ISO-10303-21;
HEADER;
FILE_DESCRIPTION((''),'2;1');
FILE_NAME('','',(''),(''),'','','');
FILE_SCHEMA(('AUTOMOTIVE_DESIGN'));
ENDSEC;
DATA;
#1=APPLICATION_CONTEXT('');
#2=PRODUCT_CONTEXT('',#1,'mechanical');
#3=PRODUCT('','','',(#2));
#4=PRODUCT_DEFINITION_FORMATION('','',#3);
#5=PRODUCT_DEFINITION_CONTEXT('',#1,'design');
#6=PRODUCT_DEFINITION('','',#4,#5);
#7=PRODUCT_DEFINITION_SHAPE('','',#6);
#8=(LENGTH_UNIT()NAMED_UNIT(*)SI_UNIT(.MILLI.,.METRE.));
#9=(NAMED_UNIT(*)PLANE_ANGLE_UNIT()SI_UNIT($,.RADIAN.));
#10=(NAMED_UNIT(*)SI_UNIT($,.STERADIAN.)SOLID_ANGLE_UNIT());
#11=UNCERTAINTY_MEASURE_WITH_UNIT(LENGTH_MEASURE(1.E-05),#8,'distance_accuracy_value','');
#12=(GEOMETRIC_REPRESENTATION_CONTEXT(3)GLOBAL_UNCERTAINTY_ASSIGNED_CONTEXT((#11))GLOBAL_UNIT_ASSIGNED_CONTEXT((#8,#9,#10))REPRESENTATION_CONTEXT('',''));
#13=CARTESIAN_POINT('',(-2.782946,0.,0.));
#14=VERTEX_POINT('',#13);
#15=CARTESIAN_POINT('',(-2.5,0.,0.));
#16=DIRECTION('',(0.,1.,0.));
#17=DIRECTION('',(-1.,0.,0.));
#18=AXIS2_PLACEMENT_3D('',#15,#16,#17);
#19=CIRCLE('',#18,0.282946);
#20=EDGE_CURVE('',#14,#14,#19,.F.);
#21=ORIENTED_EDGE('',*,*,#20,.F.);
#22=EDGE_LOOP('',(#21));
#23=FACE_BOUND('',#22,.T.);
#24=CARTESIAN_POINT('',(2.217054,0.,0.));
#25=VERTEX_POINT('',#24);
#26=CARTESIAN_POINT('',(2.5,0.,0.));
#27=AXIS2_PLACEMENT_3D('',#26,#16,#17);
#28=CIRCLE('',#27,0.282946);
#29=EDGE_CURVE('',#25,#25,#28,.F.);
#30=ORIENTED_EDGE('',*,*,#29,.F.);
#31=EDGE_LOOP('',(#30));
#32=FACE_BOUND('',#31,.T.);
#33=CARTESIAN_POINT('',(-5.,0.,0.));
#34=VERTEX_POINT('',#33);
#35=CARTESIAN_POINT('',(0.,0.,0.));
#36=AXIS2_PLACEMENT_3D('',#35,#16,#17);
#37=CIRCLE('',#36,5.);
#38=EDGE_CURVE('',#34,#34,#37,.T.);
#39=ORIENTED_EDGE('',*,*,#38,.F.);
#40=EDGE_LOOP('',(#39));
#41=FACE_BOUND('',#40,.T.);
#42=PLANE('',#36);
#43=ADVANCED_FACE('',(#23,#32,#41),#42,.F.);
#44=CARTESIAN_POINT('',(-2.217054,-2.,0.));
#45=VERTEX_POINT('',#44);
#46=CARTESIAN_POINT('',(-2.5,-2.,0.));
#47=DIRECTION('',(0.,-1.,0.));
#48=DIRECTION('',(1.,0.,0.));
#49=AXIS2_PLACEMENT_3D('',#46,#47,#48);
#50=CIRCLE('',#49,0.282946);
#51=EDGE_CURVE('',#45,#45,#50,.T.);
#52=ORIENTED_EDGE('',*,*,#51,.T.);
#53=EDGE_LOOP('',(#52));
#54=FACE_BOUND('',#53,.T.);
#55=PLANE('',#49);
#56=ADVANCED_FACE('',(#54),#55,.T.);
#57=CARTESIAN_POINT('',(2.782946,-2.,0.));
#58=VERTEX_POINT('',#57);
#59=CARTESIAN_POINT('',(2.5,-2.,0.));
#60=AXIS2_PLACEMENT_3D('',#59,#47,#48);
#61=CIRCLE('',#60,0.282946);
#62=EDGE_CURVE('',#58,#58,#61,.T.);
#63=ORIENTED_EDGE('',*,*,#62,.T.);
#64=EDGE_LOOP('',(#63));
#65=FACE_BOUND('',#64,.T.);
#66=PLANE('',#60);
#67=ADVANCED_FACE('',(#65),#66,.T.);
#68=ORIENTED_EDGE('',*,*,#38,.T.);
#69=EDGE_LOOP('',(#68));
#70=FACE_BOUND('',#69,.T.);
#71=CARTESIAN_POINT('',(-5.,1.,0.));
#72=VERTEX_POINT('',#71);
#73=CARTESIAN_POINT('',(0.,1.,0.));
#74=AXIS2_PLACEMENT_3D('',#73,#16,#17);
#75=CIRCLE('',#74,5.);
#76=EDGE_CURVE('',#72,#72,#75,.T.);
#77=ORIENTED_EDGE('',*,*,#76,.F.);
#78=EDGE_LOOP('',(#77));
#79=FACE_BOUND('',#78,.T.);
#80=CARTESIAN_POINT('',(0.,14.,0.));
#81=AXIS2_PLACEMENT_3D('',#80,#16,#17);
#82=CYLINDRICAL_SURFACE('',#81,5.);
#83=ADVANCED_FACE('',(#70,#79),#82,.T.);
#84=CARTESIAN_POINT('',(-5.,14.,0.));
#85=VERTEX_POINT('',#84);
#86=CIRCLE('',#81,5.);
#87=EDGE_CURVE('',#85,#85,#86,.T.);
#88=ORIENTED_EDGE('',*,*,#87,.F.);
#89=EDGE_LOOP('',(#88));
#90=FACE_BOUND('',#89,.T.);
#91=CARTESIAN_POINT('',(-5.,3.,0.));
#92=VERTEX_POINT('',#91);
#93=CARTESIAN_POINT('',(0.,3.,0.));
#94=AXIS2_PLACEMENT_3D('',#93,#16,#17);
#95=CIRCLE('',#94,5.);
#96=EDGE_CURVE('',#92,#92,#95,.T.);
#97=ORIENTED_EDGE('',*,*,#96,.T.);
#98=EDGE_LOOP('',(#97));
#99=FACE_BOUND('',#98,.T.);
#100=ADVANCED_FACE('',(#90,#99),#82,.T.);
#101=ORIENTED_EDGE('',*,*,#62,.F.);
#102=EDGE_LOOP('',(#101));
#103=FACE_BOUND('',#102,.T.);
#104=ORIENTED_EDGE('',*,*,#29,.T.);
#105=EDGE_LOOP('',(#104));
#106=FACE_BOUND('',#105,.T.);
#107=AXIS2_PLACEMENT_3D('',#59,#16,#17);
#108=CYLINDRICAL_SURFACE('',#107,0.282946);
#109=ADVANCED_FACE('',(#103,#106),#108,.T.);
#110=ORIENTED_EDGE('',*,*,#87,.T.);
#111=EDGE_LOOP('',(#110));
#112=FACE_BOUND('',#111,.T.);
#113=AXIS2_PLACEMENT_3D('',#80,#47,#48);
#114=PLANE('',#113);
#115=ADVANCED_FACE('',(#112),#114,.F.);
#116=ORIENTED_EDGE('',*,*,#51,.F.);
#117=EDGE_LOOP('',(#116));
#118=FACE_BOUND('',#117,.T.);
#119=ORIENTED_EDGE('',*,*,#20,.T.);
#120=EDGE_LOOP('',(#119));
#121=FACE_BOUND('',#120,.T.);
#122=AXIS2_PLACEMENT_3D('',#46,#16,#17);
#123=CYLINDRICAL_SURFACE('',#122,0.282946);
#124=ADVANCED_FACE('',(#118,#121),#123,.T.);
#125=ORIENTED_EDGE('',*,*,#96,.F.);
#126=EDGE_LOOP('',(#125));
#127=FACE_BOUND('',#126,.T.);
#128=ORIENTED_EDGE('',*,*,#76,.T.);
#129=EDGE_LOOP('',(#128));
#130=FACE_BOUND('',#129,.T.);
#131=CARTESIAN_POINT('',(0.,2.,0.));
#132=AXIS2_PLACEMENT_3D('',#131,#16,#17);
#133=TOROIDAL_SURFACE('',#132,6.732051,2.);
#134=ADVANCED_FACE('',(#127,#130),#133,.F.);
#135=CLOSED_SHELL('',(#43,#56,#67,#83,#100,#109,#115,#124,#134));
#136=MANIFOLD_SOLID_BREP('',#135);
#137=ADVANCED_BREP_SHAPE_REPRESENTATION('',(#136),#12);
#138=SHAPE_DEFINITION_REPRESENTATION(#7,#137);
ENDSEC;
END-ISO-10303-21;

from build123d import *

# Parameters (mm, degrees)
SKETCH2_R           = 0.282946128
BOSS_EXTRUDE1_DEPTH = 2


with BuildPart() as part:
    # Sketch1 → Revolve1 (revolve)
    with BuildSketch(Plane.XY, mode=Mode.PRIVATE) as revolve1_sk:
        with BuildLine():
            Line((0, 14), (0, 0))
            Line((0, 0), (5, 0))
            Line((5, 0), (5, 1))
            ThreePointArc((5, 1), (4.732050808, 2), (5, 3))
            Line((5, 3), (5, 14))
            Line((5, 14), (0, 14))
        make_face()
    revolve(revolve1_sk.sketch.rotate(Axis((0, 14, 0), (0, -1, 0)), 180), axis=Axis((0, 14, 0), (0, -1, 0)))

    # Sketch2 → Boss-Extrude1 (add)
    with BuildSketch(Plane.XZ):
        with Locations(Location((2.5, 0, 0), (0, 0, 180))):
            Circle(SKETCH2_R)
        with Locations(Location((-2.5, 0, 0), (0, 0, 180))):
            Circle(SKETCH2_R)
    extrude(amount=BOSS_EXTRUDE1_DEPTH)


solid = part.part
